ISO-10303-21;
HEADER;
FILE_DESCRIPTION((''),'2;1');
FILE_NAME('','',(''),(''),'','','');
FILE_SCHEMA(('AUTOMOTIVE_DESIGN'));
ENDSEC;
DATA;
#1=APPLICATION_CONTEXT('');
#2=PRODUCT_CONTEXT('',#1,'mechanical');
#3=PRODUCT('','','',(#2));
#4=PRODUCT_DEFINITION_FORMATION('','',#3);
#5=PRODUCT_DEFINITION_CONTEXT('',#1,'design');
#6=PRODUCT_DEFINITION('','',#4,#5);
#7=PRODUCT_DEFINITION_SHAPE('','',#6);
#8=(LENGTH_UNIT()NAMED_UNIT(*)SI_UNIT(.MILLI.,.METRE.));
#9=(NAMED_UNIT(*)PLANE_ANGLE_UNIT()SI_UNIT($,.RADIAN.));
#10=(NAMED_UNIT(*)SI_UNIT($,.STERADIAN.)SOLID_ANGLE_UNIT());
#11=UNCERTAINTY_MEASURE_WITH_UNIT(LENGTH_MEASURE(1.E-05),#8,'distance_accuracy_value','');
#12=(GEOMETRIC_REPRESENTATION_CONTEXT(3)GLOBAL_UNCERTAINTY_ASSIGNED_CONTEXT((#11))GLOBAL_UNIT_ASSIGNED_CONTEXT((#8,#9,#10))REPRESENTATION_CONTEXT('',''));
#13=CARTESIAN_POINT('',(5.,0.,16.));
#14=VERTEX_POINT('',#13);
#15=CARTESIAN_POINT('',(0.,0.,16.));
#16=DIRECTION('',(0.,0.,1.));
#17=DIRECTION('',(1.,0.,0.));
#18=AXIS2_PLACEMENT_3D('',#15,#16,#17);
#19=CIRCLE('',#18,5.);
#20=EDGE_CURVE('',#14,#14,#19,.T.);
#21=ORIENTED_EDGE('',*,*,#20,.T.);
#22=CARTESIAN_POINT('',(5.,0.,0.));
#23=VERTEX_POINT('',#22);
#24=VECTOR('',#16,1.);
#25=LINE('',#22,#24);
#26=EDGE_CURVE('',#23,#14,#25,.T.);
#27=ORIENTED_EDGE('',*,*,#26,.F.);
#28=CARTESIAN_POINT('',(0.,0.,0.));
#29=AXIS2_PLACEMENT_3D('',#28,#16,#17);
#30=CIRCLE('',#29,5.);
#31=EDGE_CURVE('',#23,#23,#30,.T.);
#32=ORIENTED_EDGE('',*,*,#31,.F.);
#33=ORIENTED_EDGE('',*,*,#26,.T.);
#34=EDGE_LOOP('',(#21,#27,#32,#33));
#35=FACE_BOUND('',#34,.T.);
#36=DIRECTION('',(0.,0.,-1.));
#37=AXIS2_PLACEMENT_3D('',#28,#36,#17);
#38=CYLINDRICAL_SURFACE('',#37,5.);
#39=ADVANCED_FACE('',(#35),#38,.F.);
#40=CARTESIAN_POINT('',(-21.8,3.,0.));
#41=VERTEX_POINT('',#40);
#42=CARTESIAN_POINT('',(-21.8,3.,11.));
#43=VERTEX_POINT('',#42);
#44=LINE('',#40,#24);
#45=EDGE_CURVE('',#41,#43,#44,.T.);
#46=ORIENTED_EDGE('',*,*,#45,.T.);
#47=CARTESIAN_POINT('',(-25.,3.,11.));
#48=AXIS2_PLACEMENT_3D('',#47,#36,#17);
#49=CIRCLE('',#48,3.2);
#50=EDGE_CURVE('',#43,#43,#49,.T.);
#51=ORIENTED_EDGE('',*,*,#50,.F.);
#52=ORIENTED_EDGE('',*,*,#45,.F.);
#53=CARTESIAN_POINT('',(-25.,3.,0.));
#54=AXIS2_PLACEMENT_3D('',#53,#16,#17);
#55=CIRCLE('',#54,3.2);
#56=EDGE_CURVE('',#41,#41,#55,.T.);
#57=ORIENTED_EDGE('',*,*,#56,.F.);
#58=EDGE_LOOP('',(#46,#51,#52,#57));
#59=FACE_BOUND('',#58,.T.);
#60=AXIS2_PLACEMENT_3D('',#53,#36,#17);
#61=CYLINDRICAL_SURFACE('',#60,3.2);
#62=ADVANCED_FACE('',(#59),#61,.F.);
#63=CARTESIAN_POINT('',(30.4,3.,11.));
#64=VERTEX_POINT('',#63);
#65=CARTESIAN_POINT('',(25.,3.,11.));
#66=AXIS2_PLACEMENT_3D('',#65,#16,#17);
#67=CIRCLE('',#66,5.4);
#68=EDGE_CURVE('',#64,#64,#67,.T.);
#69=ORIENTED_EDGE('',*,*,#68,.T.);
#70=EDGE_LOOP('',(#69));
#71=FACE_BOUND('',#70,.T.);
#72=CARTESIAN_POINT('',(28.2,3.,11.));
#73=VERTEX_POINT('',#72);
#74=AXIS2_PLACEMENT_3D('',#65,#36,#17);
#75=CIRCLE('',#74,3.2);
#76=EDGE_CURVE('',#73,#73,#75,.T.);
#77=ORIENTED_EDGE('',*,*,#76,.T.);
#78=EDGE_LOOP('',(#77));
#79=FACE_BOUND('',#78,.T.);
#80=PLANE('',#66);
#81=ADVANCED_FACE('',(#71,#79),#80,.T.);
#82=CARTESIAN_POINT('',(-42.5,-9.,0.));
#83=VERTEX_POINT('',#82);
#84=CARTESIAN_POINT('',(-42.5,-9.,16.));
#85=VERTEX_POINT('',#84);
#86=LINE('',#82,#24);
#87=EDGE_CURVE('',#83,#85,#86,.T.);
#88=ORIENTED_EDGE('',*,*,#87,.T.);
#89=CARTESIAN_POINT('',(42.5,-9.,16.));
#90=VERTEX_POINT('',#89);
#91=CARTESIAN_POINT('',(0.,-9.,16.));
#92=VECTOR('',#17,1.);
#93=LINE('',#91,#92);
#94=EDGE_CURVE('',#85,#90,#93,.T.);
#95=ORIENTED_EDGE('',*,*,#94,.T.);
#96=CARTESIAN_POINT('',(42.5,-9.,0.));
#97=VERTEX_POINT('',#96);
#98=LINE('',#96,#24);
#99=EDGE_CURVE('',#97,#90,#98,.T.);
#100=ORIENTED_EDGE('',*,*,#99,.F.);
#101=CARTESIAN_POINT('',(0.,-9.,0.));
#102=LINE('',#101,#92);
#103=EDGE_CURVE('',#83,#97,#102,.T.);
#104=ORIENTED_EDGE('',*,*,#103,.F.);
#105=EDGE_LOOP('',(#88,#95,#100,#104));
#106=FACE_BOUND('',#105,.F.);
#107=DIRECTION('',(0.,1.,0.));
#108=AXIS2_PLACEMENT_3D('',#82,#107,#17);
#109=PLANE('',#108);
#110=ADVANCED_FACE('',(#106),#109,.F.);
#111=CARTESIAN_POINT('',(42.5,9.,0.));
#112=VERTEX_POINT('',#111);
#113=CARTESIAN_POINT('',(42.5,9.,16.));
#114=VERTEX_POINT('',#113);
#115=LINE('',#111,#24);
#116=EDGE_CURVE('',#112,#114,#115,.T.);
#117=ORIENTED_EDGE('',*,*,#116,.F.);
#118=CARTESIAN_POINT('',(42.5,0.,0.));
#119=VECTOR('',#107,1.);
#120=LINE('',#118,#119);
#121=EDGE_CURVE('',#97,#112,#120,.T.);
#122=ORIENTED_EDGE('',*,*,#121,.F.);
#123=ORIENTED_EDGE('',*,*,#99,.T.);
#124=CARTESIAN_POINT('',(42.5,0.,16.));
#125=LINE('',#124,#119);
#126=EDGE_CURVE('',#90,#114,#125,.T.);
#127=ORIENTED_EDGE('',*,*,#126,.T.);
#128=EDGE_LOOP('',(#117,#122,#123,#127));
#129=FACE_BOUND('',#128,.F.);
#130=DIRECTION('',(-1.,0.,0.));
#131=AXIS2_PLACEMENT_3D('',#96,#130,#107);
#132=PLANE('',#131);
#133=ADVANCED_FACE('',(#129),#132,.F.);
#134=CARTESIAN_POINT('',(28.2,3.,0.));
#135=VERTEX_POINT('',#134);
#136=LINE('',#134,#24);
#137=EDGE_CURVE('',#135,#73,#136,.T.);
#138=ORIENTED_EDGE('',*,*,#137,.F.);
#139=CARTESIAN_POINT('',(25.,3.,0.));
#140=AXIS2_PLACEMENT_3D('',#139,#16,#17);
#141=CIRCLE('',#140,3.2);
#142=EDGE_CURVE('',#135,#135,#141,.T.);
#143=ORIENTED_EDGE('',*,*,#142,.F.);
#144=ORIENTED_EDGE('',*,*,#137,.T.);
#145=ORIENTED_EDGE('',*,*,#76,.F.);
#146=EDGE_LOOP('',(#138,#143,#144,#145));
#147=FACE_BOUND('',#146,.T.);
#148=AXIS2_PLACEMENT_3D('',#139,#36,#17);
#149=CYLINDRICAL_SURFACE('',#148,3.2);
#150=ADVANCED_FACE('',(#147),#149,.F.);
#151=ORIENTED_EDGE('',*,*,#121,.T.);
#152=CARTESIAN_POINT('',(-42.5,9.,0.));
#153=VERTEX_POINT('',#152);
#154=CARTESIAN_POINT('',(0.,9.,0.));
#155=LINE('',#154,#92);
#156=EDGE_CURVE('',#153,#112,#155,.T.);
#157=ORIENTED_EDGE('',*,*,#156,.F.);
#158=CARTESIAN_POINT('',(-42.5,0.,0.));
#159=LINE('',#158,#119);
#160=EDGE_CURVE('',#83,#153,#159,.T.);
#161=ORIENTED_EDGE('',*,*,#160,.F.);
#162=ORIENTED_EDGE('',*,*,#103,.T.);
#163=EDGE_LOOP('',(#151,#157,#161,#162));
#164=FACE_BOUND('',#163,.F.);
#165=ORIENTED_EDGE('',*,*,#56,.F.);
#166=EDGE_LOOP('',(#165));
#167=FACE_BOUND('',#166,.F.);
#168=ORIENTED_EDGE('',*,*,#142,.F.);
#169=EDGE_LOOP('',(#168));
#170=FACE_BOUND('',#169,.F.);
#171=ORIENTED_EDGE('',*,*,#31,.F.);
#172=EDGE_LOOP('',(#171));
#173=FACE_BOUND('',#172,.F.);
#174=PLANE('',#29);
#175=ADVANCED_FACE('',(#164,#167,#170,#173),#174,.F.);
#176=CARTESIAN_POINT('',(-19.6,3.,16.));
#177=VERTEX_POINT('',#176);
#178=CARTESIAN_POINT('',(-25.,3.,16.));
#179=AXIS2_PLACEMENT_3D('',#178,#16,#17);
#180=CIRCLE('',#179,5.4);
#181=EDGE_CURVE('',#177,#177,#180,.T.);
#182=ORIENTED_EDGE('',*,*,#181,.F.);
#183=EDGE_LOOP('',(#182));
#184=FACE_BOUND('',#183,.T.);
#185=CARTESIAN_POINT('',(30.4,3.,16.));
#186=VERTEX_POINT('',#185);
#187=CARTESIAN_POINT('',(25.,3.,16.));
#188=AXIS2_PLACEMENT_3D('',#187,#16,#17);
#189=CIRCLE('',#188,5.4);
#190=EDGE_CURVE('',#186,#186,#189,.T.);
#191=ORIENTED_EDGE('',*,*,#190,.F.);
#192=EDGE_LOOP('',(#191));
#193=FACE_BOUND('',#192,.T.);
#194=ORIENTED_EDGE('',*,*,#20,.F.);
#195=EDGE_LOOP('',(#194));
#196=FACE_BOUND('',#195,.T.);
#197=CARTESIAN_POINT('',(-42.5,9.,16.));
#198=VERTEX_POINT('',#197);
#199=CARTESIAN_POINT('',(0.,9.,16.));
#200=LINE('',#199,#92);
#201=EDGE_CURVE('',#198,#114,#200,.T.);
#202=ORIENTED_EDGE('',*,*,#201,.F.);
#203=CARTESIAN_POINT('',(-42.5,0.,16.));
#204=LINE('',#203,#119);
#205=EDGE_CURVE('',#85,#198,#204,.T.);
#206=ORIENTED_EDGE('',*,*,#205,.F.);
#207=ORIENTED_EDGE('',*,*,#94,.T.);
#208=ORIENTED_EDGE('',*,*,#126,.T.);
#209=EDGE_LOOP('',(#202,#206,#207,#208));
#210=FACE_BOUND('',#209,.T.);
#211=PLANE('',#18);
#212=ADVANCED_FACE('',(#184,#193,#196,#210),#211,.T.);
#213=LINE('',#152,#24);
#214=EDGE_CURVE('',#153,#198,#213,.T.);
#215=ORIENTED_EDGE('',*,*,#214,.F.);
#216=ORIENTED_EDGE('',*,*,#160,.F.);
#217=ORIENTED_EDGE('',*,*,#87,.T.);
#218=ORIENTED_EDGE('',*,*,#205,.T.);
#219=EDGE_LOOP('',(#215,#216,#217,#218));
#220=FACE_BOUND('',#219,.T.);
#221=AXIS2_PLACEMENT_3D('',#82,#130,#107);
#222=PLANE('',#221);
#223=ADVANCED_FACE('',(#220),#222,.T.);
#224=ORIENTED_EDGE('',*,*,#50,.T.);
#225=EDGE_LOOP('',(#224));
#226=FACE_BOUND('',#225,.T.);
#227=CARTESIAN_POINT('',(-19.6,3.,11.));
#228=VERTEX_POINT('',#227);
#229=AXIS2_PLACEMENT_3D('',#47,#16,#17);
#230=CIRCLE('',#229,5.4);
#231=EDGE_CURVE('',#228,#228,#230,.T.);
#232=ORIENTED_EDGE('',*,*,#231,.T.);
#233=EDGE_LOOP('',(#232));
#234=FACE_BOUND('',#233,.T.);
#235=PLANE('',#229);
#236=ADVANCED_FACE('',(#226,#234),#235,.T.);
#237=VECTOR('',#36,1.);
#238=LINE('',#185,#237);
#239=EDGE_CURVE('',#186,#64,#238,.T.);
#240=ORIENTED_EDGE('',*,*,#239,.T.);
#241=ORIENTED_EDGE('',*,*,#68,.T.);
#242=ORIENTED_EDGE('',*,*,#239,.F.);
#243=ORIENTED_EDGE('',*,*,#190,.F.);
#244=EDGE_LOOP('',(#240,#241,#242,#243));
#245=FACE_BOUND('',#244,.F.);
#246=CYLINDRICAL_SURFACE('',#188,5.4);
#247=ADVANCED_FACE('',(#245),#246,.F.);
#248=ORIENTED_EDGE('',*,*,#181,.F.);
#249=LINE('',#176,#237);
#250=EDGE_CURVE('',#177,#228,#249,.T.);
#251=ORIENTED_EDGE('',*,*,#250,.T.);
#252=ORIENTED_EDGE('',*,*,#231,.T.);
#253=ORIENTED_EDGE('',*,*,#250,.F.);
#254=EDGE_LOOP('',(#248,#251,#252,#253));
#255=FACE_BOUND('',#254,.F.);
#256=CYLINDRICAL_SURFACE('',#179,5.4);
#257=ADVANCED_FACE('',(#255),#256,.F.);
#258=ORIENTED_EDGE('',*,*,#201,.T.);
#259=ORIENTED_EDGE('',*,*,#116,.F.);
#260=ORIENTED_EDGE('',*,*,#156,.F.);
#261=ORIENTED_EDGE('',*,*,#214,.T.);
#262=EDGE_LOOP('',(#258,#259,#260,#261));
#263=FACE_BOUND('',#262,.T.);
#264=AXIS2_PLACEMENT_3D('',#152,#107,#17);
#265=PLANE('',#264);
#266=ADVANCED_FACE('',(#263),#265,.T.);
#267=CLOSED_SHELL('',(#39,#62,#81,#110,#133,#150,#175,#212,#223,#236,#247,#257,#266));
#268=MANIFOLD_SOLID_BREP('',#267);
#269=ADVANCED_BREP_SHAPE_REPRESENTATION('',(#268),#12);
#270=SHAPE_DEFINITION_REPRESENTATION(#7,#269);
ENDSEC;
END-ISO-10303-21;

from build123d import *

# Parameters (mm, degrees)
SKETCH_W     = 85
SKETCH_H     = 18
SKETCH_R     = 5
SKETCH_R_2   = 3.2
PAD_DEPTH    = 16
SKETCH001_R  = 5.4
POCKET_DEPTH = 5


with BuildPart() as part:
    # Sketch → Pad (new body)
    with BuildSketch(Plane.XY):
        Rectangle(SKETCH_W, SKETCH_H)
        Circle(SKETCH_R, mode=Mode.SUBTRACT)
        with Locations((-25, 3)):
            Circle(SKETCH_R_2, mode=Mode.SUBTRACT)
        with Locations((25, 3)):
            Circle(SKETCH_R_2, mode=Mode.SUBTRACT)
    extrude(amount=PAD_DEPTH)

    # Sketch001 → Pocket (cut)
    with BuildSketch(Plane.XY.offset(16)):
        with Locations((-25, 3)):
            Circle(SKETCH001_R)
        with Locations((25, 3)):
            Circle(SKETCH001_R)
    extrude(amount=-POCKET_DEPTH, mode=Mode.SUBTRACT)


solid = part.part
